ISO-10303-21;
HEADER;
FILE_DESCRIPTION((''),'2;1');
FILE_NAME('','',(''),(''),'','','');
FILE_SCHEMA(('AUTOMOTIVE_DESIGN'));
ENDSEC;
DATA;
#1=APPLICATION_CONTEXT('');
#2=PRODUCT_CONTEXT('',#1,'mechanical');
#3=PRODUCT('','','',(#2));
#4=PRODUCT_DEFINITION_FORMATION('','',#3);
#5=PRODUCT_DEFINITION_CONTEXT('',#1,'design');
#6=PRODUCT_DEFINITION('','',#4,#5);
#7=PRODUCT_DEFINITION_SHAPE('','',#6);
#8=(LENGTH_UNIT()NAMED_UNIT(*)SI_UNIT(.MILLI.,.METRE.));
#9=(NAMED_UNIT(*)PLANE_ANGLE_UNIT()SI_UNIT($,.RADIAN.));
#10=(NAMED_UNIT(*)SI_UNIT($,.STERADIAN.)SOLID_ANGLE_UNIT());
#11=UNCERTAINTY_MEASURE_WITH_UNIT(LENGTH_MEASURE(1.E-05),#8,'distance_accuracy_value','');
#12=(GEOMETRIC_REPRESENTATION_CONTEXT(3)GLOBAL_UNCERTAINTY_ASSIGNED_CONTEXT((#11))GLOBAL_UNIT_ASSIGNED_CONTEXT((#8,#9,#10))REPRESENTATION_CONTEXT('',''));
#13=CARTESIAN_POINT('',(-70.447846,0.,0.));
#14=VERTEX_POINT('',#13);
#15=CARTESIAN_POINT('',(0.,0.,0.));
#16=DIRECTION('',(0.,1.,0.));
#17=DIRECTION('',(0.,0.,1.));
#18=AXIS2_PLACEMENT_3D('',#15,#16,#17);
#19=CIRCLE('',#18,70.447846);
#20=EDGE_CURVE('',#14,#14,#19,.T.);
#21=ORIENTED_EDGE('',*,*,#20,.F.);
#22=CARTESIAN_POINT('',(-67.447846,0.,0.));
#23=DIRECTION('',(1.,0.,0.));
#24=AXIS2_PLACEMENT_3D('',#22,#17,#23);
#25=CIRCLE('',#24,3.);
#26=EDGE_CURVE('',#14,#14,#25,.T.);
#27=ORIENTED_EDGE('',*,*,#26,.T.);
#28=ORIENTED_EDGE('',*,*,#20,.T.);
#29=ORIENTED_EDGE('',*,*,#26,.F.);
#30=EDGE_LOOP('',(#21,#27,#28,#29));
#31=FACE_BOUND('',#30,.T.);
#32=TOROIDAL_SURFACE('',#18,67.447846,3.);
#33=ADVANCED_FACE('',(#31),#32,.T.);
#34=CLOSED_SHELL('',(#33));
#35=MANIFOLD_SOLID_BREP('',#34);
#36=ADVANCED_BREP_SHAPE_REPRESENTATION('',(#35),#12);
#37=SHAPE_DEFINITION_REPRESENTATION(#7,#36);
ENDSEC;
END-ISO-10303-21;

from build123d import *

# Parameters (mm, degrees)
SKETCH2_R = 3


with BuildPart() as part:
    # Sweep1: sweep along a path in Sketch1
    with BuildLine(Plane(origin=(0, 0, 0), x_dir=(1, 0, 0), z_dir=(0, 1, 0))) as sweep1_path:
        CenterArc((0, 0), 67.447846, 0, 360)
    # Sketch2 → Sweep1 (sweep)
    with BuildSketch(Plane.XY):
        with Locations((-67.447846, 0)):
            Circle(SKETCH2_R)
    sweep(path=sweep1_path.line)


solid = part.part
